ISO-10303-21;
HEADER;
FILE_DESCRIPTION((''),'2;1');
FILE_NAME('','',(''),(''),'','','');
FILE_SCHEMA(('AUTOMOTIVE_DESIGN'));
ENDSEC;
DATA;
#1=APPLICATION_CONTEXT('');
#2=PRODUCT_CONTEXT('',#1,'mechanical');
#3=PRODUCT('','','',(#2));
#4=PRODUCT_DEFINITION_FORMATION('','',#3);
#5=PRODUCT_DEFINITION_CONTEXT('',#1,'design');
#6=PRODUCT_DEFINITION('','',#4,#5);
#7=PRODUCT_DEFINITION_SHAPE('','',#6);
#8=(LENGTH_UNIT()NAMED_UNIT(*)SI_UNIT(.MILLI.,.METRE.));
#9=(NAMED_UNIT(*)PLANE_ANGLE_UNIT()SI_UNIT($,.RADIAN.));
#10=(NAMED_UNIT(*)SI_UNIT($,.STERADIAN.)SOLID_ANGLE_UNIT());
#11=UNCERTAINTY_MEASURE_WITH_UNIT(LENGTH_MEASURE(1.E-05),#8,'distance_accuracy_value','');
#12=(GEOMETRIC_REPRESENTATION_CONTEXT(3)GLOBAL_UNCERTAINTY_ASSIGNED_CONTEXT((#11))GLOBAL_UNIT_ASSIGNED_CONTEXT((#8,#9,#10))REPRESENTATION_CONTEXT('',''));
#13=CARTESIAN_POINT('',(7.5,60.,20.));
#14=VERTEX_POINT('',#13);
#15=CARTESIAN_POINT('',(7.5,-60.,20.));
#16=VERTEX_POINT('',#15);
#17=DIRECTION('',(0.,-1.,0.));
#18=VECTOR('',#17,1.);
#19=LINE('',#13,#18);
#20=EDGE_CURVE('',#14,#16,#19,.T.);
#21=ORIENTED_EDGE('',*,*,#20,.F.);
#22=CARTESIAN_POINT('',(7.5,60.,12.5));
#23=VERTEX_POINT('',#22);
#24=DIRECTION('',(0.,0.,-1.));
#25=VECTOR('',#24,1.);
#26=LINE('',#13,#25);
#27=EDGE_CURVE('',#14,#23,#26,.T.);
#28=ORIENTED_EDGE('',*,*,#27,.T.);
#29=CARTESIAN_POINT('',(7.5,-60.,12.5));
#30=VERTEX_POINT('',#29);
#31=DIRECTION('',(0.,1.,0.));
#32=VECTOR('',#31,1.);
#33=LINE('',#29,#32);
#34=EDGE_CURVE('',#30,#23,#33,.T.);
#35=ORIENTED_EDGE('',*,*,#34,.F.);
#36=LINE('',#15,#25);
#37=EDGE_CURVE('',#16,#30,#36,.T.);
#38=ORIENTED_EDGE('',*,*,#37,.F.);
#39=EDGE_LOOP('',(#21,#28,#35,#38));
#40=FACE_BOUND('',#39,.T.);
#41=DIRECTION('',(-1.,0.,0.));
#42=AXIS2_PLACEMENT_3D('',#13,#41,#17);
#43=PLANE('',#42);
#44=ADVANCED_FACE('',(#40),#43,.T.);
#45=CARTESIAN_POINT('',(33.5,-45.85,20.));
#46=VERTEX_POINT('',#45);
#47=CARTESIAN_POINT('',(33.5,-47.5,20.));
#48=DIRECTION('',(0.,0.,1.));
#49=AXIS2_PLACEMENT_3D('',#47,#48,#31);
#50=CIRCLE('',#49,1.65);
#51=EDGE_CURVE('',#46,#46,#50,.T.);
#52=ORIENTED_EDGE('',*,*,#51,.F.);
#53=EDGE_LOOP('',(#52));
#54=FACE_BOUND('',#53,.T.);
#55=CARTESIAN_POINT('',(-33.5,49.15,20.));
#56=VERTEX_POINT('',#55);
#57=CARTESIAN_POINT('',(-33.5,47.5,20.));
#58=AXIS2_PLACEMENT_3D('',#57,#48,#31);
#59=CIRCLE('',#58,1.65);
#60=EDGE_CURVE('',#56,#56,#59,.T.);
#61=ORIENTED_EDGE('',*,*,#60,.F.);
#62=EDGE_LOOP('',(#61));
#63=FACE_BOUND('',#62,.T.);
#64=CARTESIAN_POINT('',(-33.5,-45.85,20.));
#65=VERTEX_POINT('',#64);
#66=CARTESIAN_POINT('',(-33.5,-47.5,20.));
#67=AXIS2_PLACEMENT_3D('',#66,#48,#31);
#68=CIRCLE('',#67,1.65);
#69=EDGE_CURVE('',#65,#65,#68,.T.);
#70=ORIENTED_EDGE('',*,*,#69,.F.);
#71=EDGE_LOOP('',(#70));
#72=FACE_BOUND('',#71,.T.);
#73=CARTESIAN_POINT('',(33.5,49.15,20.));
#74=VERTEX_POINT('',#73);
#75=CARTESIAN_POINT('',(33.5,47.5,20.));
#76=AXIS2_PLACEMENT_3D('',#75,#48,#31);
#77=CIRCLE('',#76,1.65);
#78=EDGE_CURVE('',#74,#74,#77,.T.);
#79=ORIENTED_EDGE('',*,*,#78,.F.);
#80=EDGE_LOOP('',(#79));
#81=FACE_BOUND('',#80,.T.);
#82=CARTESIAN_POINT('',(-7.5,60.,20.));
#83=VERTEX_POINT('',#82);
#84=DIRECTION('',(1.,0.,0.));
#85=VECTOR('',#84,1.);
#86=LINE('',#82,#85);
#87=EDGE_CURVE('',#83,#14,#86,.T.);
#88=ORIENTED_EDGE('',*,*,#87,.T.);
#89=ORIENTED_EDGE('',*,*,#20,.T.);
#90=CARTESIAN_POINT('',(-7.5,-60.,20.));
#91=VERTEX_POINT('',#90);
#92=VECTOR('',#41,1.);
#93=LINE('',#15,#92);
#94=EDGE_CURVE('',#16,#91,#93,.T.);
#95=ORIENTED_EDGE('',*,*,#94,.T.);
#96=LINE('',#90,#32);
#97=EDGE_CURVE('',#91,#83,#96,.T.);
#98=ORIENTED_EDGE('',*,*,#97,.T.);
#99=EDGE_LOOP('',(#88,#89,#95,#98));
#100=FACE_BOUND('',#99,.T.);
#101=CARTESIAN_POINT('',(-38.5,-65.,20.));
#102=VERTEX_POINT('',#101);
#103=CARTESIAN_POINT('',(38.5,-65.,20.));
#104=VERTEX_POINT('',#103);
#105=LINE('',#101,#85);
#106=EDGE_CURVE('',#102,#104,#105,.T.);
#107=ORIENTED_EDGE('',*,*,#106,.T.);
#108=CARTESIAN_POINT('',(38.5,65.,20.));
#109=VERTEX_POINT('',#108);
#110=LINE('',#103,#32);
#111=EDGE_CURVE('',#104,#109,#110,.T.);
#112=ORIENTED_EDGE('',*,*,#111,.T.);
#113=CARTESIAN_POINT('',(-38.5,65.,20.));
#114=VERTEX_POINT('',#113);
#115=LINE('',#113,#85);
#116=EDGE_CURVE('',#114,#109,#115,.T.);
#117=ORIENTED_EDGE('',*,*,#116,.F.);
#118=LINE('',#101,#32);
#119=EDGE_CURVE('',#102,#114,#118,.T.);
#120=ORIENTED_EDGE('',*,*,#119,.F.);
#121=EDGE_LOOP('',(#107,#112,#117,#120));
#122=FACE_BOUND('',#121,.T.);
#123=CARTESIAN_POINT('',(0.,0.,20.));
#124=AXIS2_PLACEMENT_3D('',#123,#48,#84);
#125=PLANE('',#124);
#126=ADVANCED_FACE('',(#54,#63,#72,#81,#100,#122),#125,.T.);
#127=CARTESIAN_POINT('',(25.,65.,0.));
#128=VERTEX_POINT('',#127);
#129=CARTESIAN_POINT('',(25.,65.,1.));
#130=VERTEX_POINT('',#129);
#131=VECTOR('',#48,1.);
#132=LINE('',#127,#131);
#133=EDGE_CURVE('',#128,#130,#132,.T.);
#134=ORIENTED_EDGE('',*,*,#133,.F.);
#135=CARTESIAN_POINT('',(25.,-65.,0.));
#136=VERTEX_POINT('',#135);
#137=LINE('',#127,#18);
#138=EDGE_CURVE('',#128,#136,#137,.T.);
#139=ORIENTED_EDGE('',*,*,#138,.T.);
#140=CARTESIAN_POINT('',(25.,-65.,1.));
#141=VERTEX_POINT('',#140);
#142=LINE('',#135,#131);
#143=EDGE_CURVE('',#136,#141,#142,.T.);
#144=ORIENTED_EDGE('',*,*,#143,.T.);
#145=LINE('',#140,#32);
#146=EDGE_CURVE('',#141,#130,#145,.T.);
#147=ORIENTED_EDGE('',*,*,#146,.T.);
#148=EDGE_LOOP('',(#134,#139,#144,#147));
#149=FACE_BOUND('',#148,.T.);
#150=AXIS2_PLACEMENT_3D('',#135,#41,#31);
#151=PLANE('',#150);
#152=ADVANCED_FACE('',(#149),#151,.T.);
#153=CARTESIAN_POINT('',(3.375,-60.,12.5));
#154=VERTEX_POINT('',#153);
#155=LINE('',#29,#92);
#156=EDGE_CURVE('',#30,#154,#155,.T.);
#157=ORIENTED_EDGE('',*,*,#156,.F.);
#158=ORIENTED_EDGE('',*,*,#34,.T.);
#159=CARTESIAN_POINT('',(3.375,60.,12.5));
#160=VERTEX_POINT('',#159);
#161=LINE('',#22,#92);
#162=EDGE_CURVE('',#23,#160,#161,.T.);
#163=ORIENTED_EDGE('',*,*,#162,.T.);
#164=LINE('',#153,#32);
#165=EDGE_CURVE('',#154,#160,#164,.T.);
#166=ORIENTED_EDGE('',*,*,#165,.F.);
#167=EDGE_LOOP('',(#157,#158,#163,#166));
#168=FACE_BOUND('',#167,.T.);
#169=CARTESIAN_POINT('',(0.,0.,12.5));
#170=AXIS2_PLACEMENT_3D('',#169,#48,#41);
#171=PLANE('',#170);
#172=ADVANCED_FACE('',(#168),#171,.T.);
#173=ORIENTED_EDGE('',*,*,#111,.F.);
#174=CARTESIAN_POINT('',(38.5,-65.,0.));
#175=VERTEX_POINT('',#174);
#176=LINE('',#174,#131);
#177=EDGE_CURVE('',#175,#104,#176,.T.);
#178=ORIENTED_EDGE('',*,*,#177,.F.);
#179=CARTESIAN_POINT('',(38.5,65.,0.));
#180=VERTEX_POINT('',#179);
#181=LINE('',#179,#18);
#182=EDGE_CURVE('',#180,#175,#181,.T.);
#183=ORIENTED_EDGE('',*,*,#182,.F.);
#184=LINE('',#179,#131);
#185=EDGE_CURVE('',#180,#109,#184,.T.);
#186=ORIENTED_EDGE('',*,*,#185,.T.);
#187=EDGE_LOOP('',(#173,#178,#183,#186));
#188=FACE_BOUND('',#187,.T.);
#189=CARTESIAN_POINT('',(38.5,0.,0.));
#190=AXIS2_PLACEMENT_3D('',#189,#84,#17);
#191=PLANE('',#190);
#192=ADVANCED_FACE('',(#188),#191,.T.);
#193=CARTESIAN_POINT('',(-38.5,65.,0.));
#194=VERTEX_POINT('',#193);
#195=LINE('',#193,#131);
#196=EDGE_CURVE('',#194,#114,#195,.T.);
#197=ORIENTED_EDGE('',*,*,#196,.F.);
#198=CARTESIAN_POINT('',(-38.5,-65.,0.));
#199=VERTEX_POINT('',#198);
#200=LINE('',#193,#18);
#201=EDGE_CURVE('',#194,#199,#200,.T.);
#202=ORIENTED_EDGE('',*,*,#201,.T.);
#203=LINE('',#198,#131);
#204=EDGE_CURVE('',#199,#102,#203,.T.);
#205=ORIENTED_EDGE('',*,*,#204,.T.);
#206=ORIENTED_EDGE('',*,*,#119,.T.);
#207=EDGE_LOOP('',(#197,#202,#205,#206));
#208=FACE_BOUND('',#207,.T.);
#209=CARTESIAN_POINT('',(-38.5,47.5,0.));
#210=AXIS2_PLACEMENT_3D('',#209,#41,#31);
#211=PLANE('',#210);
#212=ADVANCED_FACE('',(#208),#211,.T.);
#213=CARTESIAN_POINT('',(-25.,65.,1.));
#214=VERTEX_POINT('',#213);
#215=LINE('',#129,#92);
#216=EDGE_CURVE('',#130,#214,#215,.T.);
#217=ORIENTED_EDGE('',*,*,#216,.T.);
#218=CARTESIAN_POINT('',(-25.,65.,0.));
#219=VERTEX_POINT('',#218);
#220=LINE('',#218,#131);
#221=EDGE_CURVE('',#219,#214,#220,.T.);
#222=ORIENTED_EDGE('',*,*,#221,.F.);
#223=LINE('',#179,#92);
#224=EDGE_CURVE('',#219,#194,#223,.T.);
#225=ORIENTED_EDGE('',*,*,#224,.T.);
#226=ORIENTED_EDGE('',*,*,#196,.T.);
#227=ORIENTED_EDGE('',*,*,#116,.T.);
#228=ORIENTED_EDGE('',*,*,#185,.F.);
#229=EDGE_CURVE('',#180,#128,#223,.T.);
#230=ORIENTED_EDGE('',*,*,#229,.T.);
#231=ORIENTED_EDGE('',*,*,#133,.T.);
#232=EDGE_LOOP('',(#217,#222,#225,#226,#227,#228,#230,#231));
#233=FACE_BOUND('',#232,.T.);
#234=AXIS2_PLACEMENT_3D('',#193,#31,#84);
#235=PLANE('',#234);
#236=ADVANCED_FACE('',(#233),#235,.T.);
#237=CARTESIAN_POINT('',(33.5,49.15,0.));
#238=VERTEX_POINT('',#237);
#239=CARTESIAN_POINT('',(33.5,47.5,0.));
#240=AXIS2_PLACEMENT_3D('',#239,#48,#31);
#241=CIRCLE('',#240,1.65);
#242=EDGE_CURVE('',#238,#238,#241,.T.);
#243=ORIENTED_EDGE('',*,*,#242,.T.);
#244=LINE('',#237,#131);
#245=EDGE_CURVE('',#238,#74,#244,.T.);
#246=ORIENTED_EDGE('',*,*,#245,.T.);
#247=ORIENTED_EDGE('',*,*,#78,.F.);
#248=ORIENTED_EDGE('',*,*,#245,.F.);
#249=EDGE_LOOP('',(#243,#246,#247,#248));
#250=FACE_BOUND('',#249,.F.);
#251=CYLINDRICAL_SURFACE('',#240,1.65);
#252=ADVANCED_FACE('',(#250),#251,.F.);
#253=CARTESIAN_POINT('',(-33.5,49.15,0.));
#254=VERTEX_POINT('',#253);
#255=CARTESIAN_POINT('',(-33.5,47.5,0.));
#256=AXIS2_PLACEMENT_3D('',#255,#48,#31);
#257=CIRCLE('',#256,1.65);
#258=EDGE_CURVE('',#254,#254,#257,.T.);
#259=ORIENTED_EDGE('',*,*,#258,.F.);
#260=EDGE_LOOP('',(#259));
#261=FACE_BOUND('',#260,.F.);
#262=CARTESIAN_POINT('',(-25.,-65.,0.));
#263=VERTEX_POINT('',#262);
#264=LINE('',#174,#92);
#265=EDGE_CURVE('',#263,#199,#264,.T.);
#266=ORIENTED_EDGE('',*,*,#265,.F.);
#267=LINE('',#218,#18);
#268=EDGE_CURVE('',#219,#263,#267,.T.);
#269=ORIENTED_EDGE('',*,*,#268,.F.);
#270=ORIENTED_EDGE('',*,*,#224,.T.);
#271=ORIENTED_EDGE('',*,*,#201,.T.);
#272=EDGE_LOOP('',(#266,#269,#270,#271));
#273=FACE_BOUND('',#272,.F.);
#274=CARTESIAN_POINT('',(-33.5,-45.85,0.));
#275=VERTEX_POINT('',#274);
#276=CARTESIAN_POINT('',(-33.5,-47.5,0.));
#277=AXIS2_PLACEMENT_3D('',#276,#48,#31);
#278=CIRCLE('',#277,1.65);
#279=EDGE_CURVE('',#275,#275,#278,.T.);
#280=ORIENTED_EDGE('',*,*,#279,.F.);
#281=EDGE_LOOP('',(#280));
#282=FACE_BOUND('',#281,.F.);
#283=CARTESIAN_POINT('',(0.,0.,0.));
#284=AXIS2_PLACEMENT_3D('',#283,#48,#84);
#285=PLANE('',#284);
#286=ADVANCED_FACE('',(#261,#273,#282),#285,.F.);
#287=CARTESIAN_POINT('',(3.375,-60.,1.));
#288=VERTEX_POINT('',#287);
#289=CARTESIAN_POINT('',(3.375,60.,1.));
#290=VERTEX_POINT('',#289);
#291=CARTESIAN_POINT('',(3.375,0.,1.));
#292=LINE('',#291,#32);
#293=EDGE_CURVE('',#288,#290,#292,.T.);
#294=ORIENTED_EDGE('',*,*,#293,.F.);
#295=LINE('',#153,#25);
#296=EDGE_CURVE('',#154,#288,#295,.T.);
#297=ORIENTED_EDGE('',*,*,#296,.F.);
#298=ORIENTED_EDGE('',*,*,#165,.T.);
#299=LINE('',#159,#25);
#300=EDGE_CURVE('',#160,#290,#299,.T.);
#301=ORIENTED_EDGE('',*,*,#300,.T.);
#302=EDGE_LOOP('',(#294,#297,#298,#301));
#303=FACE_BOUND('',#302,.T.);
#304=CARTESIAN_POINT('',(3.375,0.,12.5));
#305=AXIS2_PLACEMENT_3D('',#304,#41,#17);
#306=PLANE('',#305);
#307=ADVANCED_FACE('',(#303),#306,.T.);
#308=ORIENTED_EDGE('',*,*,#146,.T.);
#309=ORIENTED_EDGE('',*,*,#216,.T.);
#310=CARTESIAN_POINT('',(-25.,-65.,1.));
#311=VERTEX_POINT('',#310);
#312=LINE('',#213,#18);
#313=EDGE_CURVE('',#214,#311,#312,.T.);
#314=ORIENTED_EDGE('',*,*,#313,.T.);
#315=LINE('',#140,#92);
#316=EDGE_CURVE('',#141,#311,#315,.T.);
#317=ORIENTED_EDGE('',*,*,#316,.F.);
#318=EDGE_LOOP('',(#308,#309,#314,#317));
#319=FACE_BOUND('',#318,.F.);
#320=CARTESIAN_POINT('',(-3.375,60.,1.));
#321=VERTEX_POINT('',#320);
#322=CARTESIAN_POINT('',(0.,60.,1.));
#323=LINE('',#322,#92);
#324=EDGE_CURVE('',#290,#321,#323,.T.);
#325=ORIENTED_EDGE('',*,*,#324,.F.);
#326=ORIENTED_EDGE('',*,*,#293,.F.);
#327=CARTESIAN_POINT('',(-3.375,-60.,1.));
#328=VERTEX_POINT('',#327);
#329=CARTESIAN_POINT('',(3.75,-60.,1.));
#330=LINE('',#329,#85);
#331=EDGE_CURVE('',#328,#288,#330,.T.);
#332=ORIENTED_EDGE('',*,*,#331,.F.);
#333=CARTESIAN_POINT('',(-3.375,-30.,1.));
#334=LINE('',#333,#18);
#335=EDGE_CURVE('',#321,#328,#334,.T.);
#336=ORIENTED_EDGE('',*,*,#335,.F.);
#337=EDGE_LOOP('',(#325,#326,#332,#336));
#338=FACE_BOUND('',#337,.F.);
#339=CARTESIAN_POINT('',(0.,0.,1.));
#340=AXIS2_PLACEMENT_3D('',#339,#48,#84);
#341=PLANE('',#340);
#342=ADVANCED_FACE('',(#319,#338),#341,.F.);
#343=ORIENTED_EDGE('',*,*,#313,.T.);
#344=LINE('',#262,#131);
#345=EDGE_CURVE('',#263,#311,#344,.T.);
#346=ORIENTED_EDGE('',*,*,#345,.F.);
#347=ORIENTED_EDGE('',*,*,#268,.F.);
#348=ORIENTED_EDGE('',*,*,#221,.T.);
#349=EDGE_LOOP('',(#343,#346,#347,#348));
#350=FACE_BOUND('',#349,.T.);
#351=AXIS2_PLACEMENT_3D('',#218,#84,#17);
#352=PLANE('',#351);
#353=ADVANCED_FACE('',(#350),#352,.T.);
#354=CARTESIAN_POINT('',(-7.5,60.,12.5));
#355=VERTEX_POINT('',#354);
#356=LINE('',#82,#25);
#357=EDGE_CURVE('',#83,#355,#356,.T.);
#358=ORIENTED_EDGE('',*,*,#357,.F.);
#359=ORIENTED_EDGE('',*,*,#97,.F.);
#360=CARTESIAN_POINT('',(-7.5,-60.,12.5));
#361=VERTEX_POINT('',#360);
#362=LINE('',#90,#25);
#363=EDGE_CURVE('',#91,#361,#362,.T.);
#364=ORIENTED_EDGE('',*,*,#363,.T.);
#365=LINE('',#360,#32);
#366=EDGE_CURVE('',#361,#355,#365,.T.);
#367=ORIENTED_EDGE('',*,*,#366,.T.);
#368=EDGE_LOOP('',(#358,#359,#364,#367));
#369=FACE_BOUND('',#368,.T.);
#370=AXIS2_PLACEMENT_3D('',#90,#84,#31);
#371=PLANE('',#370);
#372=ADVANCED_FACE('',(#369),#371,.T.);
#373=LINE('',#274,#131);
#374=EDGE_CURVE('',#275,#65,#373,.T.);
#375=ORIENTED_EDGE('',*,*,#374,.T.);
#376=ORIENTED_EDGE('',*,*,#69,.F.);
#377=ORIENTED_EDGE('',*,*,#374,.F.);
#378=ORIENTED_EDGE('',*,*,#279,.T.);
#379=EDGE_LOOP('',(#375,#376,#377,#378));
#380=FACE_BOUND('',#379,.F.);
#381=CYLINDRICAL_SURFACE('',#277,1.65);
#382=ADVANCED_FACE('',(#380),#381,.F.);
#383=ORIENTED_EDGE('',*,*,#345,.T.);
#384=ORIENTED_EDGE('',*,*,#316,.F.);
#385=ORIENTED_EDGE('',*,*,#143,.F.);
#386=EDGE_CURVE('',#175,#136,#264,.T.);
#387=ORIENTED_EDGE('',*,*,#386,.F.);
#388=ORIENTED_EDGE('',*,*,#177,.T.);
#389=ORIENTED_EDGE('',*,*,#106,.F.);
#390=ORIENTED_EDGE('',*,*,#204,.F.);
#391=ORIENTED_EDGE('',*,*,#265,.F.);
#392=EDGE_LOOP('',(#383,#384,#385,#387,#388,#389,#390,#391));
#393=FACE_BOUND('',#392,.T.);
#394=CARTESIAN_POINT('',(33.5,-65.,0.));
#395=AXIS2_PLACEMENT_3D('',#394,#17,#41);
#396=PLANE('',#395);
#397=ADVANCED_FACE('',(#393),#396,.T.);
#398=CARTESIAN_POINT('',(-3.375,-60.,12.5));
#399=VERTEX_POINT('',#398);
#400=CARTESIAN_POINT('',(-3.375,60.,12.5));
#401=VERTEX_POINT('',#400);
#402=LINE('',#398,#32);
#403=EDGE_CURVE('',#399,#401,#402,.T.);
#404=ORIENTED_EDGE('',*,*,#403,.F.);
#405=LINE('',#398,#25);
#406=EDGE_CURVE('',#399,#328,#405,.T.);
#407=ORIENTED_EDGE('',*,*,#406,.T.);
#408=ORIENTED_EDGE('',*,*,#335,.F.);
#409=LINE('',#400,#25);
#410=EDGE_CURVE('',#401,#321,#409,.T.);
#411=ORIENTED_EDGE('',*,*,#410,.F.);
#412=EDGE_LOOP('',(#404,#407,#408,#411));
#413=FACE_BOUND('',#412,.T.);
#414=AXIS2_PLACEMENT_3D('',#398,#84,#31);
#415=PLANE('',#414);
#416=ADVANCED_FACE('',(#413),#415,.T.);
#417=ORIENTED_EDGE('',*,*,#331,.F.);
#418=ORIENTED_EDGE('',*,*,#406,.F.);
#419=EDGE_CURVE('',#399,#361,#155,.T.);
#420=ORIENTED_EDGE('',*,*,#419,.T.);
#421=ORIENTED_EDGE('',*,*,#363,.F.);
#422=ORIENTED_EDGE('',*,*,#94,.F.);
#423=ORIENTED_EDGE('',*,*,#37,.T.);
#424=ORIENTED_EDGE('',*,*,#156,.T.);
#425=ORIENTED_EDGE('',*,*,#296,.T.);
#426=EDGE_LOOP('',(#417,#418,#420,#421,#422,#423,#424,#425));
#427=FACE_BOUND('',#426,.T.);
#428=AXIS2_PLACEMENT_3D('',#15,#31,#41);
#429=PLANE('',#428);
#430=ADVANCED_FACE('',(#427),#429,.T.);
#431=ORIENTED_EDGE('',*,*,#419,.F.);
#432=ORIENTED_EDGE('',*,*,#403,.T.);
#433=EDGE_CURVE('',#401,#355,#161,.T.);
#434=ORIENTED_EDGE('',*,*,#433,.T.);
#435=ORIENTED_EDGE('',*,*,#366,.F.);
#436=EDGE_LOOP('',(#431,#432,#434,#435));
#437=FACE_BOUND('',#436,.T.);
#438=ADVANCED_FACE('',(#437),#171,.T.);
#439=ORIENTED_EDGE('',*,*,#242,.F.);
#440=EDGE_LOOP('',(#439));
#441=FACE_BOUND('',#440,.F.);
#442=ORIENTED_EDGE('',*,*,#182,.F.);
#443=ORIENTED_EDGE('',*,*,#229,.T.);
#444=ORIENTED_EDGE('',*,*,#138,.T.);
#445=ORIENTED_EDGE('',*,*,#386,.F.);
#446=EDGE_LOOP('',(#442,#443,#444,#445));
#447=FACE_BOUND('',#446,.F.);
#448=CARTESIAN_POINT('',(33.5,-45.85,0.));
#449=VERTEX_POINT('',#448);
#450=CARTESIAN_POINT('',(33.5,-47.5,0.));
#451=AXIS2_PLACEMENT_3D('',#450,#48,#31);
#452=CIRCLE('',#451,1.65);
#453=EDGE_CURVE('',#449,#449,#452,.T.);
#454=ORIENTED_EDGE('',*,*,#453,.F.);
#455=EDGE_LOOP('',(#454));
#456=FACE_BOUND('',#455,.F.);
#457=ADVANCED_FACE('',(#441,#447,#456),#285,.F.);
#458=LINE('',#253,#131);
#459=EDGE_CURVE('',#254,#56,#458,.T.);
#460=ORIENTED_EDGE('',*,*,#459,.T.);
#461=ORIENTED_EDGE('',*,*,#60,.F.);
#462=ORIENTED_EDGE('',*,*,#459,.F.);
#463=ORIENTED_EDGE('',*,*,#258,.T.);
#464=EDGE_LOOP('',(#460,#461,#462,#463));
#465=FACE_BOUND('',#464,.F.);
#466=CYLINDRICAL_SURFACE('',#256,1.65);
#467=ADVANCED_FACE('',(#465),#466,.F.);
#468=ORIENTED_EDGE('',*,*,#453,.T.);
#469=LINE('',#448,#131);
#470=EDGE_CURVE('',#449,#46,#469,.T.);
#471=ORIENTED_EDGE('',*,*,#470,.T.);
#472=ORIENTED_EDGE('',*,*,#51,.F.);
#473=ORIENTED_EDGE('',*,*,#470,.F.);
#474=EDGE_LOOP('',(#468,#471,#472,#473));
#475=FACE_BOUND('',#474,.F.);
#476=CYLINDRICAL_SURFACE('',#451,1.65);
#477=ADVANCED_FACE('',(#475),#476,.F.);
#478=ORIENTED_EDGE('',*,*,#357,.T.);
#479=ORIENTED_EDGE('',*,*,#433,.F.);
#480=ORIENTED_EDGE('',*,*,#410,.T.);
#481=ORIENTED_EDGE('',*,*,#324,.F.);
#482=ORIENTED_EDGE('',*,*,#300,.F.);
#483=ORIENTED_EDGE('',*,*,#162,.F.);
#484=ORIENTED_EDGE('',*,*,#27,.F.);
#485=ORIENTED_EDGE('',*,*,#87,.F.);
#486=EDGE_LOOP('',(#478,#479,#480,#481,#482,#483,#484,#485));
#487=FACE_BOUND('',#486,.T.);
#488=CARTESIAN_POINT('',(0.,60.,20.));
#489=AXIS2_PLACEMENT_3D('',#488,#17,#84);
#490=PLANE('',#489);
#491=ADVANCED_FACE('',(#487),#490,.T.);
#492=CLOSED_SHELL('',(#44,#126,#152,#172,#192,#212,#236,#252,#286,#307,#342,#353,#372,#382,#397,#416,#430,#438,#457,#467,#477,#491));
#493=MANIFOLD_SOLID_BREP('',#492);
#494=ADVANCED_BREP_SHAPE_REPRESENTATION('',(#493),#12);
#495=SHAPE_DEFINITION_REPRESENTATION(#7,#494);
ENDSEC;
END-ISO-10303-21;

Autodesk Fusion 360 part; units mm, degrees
sketch "Sketch1" plane through (0, 0, 0) normal (0, 0, 1) x (1, 0, 0)
  line L0 (-38.5, 65) -> (38.5, 65)
  line L1 (38.5, 65) -> (38.5, -65)
  line L2 (38.5, -65) -> (-38.5, -65)
  line L3 (-38.5, -65) -> (-38.5, 65)
  line L4 (0, 65) -> (0, 0)
  line L5 (0, 0) -> (38.5, 0)
  line L6 (-33.5, -47.5) -> (-33.5, -65)
  line L7 (-33.5, -47.5) -> (-38.5, -47.5)
  line L8 (-33.5, 47.5) -> (-33.5, 65)
  line L9 (-33.5, 47.5) -> (-38.5, 47.5)
  line L10 (33.5, 47.5) -> (38.5, 47.5)
  line L11 (33.5, 47.5) -> (33.5, 65)
  line L12 (33.5, -47.5) -> (38.5, -47.5)
  line L13 (33.5, -47.5) -> (33.5, -65)
  point P0 (-33.5, 47.5)
  point P1 (33.5, 47.5)
  point P2 (33.5, -47.5)
  point P3 (-33.5, -47.5)
  dimension "d2" = 77
  dimension "d3" = 130
  dimension "d21" = 5
  dimension "d22" = 17.5
extrude "Extrude1" add sketch "Sketch1" along normal blind 20
hole "Hole1" at (-33.5, 47.5, 0) at (33.5, 47.5, 0) at (-33.5, -47.5, 0) at (33.5, -47.5, 0) direction (0, 0, 1) diameter 3.3 end through all
sketch "Sketch2" plane through (0, 0, 20) normal (0, 0, 1) x (-1, 0, 0)
  circle A0 centre (33.5, 47.5) radius 1.65
  circle A1 centre (33.5, -47.5) radius 1.65
  circle A2 centre (-33.5, -47.5) radius 1.65
  circle A3 centre (-33.5, 47.5) radius 1.65
  line L0 (38.5, 65) -> (-38.5, 65)
  line L1 (-38.5, 65) -> (-38.5, -65)
  line L2 (-38.5, -65) -> (38.5, -65)
  line L3 (38.5, -65) -> (38.5, 65)
  line L4 (0, 0) -> (-7.5, 0)
  line L5 (0, 0) -> (0, -60)
  line L6 (7.5, -60) -> (-7.5, -60)
  line L7 (-7.5, -60) -> (-7.5, 60)
  line L8 (-7.5, 60) -> (7.5, 60)
  line L9 (7.5, 60) -> (7.5, -60)
  dimension "d12" = 15
  dimension "d13" = 120
extrude "Extrude2" cut sketch "Sketch2" against normal blind 7.5 contours L4 L5 L6 L7 | L4 L5 L6 L7 L8 L9
sketch "Sketch3" plane through (0, 0, 12.5) normal (0, 0, 1) x (-1, 0, 0)
  line L0 (7.5, 60) -> (-7.5, 60)
  line L1 (-7.5, 60) -> (-7.5, -60)
  line L2 (-7.5, -60) -> (7.5, -60)
  line L3 (7.5, -60) -> (7.5, 60)
  line L4 (0, 0) -> (0, -60)
  line L5 (0, 0) -> (-3.375, 0)
  line L6 (3.375, -60) -> (-3.375, -60)
  line L7 (-3.375, -60) -> (-3.375, 60)
  line L8 (-3.375, 60) -> (3.375, 60)
  line L9 (3.375, 60) -> (3.375, -60)
  dimension "d16" = 120
  dimension "d17" = 6.75
extrude "Extrude3" cut sketch "Sketch3" against normal through all contours L0 L2 L4 L5 L6 L7 L8 L9 | L2 L4 L5 L6 L7
sketch "Sketch4" plane through (0, 0, 0) normal (0, 0, 1) x (1, 0, 0)
  line L0 (0, 0) -> (25, 0)
  line L1 (0, 0) -> (0, -65)
  line L2 (-25, -65) -> (25, -65)
  line L3 (25, -65) -> (25, 65)
  line L4 (25, 65) -> (-25, 65)
  line L5 (-25, 65) -> (-25, -65)
  dimension "d23" = 130
  dimension "d26" = 50
extrude "Extrude5" cut sketch "Sketch4" along normal blind 1
extrude "Extrude4" [suppressed]
